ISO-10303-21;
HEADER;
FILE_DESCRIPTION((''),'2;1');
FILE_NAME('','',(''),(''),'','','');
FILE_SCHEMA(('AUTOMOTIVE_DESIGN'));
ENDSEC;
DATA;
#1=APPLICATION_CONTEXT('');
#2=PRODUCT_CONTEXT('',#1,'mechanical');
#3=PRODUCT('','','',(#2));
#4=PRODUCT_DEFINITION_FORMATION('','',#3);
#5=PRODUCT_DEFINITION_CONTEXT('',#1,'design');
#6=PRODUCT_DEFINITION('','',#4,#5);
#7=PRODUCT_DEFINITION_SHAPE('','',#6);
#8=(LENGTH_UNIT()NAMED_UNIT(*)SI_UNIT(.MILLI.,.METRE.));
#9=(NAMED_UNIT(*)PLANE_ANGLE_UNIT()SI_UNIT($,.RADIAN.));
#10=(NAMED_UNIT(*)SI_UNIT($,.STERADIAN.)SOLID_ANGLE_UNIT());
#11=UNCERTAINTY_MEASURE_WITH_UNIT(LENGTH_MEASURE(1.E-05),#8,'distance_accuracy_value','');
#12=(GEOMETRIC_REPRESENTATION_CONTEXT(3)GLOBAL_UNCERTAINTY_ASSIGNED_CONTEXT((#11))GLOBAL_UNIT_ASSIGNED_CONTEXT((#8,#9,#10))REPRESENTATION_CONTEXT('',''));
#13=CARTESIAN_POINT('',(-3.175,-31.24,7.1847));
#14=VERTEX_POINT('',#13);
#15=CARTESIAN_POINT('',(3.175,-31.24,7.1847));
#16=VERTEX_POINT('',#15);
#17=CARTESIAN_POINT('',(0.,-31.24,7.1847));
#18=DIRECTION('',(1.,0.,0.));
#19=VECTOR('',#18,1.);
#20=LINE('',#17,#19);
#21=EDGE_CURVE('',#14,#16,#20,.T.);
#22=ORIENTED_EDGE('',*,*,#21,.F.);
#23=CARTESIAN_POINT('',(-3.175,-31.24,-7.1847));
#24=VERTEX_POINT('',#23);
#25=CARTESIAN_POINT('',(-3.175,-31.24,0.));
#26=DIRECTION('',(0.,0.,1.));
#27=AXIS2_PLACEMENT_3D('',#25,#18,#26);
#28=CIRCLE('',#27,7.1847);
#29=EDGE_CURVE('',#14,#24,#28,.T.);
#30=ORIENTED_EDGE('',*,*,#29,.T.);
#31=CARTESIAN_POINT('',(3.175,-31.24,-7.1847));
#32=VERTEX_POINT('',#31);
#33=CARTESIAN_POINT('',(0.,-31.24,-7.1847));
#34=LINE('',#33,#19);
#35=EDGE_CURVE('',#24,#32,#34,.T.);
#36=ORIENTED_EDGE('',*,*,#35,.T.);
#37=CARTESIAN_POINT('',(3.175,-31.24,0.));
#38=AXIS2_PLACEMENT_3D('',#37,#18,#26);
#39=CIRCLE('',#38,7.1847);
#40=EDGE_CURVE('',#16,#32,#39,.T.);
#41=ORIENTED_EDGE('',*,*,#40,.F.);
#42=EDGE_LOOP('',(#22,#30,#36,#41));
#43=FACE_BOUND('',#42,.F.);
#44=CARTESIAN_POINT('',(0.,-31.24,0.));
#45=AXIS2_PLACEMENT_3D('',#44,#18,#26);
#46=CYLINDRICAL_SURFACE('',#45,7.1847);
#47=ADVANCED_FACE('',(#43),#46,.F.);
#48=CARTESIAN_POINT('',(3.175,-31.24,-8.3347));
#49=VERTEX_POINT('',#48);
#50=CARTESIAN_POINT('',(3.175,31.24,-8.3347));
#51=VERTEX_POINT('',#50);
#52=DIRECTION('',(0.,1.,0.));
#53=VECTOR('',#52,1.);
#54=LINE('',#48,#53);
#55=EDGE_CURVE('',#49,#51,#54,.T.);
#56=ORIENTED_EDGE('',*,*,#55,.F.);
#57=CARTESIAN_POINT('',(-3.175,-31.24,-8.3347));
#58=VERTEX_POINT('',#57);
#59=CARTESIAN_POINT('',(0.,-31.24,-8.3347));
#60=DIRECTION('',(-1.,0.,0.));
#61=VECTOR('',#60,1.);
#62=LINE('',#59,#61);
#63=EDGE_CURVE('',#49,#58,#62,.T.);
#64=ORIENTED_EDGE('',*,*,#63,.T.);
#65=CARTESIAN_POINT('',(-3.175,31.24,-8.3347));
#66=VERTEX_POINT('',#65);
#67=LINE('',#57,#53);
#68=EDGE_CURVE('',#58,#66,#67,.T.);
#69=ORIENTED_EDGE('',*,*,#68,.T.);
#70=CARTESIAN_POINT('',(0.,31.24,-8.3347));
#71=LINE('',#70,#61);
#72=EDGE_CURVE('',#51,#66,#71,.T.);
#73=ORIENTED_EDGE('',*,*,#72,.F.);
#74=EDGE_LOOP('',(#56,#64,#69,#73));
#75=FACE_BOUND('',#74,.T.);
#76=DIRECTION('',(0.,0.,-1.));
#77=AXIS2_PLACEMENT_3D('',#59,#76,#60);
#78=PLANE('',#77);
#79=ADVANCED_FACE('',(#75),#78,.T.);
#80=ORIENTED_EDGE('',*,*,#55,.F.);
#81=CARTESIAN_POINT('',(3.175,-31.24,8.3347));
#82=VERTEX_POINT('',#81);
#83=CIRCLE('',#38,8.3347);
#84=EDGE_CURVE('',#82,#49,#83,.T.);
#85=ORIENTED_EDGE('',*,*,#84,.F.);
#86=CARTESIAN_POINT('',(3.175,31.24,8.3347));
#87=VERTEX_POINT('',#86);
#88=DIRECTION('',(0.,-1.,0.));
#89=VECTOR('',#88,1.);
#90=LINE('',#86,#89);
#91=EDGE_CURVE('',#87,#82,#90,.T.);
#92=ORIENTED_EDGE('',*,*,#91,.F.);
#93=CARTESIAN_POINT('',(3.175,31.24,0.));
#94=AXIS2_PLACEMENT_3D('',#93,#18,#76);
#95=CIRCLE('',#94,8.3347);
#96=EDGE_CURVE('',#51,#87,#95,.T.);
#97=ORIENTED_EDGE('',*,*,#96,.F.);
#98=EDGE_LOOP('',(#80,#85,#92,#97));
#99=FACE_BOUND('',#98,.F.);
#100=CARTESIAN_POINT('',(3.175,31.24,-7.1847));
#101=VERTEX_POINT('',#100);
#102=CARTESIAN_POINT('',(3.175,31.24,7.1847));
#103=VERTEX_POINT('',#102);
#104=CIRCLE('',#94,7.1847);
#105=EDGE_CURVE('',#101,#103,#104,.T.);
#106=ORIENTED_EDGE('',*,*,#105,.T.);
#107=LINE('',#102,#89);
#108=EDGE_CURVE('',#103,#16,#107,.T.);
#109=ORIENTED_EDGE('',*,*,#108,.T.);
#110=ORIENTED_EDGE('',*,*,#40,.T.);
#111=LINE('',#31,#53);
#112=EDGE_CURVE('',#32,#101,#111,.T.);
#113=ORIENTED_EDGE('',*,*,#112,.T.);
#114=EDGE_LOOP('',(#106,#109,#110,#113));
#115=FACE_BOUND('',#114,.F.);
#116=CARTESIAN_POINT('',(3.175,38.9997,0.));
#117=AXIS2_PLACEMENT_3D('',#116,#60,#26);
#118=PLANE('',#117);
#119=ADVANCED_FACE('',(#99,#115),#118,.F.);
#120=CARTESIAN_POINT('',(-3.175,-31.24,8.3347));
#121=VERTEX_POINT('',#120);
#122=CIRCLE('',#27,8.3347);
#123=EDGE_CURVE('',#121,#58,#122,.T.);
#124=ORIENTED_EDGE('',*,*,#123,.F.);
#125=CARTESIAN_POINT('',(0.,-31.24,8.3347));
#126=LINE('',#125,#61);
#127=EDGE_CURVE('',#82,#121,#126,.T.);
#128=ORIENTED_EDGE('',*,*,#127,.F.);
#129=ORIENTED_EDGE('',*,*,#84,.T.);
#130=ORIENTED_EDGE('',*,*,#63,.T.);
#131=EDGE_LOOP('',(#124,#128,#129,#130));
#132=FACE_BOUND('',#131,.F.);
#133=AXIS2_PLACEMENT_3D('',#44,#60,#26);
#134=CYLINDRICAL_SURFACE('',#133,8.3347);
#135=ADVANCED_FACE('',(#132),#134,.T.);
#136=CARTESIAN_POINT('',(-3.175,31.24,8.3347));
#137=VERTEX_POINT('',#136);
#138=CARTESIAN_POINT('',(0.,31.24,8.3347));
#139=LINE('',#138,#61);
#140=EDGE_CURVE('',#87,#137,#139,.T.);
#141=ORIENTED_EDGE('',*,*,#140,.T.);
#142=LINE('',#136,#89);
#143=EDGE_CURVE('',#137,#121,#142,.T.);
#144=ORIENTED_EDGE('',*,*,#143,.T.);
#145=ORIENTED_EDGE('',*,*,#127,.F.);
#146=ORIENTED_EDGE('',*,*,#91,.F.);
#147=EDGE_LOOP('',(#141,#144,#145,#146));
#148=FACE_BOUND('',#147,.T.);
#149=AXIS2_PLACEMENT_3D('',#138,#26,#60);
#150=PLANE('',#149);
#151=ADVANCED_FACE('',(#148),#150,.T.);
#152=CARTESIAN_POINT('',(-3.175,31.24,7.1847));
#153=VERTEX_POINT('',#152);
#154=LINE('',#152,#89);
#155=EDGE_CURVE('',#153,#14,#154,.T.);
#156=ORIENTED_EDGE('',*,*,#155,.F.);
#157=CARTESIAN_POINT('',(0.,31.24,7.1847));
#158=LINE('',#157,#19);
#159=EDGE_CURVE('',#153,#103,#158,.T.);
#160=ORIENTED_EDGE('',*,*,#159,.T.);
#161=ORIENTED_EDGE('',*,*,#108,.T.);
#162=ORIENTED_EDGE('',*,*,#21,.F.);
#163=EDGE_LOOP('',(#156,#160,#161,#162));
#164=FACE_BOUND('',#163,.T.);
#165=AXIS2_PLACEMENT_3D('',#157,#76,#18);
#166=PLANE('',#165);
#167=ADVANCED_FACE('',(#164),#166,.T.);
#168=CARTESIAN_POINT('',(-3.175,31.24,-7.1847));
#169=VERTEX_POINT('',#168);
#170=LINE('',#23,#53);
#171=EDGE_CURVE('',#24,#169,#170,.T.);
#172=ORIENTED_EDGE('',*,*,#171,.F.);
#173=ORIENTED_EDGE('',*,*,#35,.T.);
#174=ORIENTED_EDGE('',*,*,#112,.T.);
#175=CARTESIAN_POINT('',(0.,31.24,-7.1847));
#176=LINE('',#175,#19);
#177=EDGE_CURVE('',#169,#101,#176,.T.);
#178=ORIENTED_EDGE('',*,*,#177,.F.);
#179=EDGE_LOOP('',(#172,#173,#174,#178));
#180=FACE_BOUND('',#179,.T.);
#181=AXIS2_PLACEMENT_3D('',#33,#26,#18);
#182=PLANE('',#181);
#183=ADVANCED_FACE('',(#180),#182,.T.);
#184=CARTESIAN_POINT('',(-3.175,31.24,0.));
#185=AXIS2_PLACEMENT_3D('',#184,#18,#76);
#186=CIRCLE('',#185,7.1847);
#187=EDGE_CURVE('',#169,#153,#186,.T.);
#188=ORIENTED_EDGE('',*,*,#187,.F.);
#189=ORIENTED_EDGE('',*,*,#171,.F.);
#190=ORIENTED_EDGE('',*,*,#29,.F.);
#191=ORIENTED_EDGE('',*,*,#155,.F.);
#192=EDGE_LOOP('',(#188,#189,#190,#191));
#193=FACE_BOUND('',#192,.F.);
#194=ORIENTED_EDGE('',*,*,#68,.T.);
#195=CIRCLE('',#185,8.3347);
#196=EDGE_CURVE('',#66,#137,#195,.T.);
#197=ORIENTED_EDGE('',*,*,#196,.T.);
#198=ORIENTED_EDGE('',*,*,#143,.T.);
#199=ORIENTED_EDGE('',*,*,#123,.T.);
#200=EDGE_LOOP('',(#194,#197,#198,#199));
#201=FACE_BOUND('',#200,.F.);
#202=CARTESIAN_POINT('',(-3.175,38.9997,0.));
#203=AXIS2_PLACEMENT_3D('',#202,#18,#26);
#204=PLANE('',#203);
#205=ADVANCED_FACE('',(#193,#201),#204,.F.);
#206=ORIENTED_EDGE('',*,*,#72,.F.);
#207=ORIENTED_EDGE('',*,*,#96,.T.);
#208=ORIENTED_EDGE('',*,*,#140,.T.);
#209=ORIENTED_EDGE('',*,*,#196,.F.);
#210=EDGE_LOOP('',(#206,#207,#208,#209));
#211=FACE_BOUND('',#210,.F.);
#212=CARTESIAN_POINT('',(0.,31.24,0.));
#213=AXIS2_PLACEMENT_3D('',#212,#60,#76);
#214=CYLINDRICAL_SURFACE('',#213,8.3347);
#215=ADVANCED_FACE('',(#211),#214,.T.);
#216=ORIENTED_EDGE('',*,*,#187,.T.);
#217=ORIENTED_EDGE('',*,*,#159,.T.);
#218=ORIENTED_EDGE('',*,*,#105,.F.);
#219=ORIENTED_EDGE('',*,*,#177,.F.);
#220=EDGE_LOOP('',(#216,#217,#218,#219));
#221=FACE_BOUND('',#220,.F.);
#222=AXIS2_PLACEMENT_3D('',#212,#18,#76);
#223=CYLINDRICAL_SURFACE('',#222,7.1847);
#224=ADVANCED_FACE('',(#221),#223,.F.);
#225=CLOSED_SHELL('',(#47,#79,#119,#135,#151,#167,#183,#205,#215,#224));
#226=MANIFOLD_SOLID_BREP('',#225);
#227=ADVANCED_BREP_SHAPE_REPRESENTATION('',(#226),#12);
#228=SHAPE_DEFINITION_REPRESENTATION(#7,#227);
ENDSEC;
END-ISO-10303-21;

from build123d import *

# Parameters (mm, degrees)
F1_W = 6.35
F1_H = 1.15


with BuildPart() as f2:
    # F2: sweep along a path in F0
    with BuildLine(Plane.YZ) as f2_path:
        ThreePointArc((31.24, -7.7597), (38.9997, 0), (31.24, 7.7597))
        Line((31.24, 7.7597), (-31.24, 7.7597))
        ThreePointArc((-31.24, 7.7597), (-38.9997, 0), (-31.24, -7.7597))
        Line((-31.24, -7.7597), (31.24, -7.7597))
    # F1 (on Front) → F2 (sweep)
    with BuildSketch(Plane.XZ):
        with Locations((0, 7.7597)):
            Rectangle(F1_W, F1_H)
    sweep(path=f2_path.line)


solid = f2.part
